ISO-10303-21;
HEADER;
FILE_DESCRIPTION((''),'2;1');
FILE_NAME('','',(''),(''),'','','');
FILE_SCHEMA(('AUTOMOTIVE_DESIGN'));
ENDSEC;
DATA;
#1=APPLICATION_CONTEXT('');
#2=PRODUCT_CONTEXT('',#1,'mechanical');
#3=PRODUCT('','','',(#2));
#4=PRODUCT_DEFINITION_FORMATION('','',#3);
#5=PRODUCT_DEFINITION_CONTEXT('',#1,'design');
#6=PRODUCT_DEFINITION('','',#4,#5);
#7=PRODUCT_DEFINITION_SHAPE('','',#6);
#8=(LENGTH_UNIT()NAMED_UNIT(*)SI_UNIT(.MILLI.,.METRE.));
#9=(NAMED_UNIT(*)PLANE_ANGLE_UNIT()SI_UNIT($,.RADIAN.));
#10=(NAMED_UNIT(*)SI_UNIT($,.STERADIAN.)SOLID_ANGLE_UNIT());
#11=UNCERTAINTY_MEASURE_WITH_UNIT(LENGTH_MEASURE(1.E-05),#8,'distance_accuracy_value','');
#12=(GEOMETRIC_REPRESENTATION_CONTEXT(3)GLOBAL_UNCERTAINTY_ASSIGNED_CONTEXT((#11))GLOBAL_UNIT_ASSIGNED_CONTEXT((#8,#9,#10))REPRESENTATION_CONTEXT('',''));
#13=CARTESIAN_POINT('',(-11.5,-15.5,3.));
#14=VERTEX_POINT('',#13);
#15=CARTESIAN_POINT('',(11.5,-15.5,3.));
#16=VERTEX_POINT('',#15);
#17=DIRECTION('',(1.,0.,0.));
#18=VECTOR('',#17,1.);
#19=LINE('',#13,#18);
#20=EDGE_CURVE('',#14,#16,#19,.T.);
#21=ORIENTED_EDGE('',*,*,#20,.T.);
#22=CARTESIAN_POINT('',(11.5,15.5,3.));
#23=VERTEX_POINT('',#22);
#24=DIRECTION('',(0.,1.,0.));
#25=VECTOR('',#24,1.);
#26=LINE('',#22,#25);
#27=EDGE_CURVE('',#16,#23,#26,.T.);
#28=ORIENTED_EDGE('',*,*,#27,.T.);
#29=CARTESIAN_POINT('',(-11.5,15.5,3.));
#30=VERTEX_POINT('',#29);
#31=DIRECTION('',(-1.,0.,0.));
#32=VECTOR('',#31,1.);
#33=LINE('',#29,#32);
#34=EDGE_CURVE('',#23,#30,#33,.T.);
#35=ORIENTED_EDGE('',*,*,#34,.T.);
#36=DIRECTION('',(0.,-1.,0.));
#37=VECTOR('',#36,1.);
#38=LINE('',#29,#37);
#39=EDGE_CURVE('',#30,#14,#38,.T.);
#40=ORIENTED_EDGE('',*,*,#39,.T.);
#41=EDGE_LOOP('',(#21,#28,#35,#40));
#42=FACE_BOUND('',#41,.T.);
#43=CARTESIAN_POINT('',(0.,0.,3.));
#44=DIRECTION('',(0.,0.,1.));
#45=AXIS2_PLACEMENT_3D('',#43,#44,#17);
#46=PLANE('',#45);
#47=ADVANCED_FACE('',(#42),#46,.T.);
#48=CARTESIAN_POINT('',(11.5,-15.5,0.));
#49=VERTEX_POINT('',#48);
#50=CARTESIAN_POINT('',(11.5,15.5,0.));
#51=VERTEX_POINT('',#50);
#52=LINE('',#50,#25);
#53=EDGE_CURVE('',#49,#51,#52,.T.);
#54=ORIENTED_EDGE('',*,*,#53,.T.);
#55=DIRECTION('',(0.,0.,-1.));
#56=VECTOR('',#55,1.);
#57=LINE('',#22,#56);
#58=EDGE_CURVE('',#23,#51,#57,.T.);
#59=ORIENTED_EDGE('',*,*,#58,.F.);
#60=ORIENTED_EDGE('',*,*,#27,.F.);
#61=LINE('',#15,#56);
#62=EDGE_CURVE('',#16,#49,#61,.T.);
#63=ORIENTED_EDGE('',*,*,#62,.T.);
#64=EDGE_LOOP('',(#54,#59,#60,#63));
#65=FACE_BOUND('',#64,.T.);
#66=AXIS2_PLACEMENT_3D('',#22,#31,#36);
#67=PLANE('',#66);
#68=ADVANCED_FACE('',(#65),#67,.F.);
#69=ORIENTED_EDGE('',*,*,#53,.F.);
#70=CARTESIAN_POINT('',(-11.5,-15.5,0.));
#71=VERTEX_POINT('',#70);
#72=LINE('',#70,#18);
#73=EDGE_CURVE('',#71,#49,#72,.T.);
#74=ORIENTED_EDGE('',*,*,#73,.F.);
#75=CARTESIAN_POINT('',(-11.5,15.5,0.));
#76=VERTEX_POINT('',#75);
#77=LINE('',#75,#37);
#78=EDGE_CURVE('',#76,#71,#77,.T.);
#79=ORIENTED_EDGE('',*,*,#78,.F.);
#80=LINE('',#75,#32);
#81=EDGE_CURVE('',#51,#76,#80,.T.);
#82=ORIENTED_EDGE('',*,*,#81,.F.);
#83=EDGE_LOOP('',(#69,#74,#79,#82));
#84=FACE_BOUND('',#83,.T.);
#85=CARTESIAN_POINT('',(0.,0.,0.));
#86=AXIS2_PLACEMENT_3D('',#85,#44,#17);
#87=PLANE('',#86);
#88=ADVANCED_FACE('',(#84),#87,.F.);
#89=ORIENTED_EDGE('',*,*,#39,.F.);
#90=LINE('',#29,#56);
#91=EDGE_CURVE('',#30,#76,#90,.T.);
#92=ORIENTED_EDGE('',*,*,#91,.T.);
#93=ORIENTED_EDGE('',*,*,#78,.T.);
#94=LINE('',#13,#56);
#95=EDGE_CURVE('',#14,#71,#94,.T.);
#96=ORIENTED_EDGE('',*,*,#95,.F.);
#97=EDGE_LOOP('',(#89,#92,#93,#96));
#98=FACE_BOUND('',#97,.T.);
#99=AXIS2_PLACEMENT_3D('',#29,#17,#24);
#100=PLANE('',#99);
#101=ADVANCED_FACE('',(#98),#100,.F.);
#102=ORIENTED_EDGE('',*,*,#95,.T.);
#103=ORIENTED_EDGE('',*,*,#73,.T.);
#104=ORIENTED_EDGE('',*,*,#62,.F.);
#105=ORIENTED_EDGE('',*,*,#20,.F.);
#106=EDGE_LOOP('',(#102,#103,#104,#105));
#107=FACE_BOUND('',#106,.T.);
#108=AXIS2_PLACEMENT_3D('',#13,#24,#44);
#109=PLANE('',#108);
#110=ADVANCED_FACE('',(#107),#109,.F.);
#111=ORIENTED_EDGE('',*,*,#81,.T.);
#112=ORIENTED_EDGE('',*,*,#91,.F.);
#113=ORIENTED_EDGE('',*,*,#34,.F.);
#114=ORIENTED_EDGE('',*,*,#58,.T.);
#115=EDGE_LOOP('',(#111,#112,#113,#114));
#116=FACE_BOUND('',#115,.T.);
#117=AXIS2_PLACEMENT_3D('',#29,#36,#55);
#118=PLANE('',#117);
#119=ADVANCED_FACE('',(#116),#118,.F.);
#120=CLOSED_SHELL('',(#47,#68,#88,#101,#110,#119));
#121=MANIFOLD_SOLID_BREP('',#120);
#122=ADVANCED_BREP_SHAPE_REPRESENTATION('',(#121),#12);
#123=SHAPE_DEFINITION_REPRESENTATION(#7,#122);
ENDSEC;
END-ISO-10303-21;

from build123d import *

# Parameters (mm, degrees)
ESQUISSE1_W        = 23
ESQUISSE1_H        = 31
BOSS_EXTRU_1_DEPTH = 3


with BuildPart() as part:
    # Esquisse1 → Boss.-Extru.1 (new body)
    with BuildSketch(Plane.XY):
        Rectangle(ESQUISSE1_W, ESQUISSE1_H)
    extrude(amount=BOSS_EXTRU_1_DEPTH)


solid = part.part
